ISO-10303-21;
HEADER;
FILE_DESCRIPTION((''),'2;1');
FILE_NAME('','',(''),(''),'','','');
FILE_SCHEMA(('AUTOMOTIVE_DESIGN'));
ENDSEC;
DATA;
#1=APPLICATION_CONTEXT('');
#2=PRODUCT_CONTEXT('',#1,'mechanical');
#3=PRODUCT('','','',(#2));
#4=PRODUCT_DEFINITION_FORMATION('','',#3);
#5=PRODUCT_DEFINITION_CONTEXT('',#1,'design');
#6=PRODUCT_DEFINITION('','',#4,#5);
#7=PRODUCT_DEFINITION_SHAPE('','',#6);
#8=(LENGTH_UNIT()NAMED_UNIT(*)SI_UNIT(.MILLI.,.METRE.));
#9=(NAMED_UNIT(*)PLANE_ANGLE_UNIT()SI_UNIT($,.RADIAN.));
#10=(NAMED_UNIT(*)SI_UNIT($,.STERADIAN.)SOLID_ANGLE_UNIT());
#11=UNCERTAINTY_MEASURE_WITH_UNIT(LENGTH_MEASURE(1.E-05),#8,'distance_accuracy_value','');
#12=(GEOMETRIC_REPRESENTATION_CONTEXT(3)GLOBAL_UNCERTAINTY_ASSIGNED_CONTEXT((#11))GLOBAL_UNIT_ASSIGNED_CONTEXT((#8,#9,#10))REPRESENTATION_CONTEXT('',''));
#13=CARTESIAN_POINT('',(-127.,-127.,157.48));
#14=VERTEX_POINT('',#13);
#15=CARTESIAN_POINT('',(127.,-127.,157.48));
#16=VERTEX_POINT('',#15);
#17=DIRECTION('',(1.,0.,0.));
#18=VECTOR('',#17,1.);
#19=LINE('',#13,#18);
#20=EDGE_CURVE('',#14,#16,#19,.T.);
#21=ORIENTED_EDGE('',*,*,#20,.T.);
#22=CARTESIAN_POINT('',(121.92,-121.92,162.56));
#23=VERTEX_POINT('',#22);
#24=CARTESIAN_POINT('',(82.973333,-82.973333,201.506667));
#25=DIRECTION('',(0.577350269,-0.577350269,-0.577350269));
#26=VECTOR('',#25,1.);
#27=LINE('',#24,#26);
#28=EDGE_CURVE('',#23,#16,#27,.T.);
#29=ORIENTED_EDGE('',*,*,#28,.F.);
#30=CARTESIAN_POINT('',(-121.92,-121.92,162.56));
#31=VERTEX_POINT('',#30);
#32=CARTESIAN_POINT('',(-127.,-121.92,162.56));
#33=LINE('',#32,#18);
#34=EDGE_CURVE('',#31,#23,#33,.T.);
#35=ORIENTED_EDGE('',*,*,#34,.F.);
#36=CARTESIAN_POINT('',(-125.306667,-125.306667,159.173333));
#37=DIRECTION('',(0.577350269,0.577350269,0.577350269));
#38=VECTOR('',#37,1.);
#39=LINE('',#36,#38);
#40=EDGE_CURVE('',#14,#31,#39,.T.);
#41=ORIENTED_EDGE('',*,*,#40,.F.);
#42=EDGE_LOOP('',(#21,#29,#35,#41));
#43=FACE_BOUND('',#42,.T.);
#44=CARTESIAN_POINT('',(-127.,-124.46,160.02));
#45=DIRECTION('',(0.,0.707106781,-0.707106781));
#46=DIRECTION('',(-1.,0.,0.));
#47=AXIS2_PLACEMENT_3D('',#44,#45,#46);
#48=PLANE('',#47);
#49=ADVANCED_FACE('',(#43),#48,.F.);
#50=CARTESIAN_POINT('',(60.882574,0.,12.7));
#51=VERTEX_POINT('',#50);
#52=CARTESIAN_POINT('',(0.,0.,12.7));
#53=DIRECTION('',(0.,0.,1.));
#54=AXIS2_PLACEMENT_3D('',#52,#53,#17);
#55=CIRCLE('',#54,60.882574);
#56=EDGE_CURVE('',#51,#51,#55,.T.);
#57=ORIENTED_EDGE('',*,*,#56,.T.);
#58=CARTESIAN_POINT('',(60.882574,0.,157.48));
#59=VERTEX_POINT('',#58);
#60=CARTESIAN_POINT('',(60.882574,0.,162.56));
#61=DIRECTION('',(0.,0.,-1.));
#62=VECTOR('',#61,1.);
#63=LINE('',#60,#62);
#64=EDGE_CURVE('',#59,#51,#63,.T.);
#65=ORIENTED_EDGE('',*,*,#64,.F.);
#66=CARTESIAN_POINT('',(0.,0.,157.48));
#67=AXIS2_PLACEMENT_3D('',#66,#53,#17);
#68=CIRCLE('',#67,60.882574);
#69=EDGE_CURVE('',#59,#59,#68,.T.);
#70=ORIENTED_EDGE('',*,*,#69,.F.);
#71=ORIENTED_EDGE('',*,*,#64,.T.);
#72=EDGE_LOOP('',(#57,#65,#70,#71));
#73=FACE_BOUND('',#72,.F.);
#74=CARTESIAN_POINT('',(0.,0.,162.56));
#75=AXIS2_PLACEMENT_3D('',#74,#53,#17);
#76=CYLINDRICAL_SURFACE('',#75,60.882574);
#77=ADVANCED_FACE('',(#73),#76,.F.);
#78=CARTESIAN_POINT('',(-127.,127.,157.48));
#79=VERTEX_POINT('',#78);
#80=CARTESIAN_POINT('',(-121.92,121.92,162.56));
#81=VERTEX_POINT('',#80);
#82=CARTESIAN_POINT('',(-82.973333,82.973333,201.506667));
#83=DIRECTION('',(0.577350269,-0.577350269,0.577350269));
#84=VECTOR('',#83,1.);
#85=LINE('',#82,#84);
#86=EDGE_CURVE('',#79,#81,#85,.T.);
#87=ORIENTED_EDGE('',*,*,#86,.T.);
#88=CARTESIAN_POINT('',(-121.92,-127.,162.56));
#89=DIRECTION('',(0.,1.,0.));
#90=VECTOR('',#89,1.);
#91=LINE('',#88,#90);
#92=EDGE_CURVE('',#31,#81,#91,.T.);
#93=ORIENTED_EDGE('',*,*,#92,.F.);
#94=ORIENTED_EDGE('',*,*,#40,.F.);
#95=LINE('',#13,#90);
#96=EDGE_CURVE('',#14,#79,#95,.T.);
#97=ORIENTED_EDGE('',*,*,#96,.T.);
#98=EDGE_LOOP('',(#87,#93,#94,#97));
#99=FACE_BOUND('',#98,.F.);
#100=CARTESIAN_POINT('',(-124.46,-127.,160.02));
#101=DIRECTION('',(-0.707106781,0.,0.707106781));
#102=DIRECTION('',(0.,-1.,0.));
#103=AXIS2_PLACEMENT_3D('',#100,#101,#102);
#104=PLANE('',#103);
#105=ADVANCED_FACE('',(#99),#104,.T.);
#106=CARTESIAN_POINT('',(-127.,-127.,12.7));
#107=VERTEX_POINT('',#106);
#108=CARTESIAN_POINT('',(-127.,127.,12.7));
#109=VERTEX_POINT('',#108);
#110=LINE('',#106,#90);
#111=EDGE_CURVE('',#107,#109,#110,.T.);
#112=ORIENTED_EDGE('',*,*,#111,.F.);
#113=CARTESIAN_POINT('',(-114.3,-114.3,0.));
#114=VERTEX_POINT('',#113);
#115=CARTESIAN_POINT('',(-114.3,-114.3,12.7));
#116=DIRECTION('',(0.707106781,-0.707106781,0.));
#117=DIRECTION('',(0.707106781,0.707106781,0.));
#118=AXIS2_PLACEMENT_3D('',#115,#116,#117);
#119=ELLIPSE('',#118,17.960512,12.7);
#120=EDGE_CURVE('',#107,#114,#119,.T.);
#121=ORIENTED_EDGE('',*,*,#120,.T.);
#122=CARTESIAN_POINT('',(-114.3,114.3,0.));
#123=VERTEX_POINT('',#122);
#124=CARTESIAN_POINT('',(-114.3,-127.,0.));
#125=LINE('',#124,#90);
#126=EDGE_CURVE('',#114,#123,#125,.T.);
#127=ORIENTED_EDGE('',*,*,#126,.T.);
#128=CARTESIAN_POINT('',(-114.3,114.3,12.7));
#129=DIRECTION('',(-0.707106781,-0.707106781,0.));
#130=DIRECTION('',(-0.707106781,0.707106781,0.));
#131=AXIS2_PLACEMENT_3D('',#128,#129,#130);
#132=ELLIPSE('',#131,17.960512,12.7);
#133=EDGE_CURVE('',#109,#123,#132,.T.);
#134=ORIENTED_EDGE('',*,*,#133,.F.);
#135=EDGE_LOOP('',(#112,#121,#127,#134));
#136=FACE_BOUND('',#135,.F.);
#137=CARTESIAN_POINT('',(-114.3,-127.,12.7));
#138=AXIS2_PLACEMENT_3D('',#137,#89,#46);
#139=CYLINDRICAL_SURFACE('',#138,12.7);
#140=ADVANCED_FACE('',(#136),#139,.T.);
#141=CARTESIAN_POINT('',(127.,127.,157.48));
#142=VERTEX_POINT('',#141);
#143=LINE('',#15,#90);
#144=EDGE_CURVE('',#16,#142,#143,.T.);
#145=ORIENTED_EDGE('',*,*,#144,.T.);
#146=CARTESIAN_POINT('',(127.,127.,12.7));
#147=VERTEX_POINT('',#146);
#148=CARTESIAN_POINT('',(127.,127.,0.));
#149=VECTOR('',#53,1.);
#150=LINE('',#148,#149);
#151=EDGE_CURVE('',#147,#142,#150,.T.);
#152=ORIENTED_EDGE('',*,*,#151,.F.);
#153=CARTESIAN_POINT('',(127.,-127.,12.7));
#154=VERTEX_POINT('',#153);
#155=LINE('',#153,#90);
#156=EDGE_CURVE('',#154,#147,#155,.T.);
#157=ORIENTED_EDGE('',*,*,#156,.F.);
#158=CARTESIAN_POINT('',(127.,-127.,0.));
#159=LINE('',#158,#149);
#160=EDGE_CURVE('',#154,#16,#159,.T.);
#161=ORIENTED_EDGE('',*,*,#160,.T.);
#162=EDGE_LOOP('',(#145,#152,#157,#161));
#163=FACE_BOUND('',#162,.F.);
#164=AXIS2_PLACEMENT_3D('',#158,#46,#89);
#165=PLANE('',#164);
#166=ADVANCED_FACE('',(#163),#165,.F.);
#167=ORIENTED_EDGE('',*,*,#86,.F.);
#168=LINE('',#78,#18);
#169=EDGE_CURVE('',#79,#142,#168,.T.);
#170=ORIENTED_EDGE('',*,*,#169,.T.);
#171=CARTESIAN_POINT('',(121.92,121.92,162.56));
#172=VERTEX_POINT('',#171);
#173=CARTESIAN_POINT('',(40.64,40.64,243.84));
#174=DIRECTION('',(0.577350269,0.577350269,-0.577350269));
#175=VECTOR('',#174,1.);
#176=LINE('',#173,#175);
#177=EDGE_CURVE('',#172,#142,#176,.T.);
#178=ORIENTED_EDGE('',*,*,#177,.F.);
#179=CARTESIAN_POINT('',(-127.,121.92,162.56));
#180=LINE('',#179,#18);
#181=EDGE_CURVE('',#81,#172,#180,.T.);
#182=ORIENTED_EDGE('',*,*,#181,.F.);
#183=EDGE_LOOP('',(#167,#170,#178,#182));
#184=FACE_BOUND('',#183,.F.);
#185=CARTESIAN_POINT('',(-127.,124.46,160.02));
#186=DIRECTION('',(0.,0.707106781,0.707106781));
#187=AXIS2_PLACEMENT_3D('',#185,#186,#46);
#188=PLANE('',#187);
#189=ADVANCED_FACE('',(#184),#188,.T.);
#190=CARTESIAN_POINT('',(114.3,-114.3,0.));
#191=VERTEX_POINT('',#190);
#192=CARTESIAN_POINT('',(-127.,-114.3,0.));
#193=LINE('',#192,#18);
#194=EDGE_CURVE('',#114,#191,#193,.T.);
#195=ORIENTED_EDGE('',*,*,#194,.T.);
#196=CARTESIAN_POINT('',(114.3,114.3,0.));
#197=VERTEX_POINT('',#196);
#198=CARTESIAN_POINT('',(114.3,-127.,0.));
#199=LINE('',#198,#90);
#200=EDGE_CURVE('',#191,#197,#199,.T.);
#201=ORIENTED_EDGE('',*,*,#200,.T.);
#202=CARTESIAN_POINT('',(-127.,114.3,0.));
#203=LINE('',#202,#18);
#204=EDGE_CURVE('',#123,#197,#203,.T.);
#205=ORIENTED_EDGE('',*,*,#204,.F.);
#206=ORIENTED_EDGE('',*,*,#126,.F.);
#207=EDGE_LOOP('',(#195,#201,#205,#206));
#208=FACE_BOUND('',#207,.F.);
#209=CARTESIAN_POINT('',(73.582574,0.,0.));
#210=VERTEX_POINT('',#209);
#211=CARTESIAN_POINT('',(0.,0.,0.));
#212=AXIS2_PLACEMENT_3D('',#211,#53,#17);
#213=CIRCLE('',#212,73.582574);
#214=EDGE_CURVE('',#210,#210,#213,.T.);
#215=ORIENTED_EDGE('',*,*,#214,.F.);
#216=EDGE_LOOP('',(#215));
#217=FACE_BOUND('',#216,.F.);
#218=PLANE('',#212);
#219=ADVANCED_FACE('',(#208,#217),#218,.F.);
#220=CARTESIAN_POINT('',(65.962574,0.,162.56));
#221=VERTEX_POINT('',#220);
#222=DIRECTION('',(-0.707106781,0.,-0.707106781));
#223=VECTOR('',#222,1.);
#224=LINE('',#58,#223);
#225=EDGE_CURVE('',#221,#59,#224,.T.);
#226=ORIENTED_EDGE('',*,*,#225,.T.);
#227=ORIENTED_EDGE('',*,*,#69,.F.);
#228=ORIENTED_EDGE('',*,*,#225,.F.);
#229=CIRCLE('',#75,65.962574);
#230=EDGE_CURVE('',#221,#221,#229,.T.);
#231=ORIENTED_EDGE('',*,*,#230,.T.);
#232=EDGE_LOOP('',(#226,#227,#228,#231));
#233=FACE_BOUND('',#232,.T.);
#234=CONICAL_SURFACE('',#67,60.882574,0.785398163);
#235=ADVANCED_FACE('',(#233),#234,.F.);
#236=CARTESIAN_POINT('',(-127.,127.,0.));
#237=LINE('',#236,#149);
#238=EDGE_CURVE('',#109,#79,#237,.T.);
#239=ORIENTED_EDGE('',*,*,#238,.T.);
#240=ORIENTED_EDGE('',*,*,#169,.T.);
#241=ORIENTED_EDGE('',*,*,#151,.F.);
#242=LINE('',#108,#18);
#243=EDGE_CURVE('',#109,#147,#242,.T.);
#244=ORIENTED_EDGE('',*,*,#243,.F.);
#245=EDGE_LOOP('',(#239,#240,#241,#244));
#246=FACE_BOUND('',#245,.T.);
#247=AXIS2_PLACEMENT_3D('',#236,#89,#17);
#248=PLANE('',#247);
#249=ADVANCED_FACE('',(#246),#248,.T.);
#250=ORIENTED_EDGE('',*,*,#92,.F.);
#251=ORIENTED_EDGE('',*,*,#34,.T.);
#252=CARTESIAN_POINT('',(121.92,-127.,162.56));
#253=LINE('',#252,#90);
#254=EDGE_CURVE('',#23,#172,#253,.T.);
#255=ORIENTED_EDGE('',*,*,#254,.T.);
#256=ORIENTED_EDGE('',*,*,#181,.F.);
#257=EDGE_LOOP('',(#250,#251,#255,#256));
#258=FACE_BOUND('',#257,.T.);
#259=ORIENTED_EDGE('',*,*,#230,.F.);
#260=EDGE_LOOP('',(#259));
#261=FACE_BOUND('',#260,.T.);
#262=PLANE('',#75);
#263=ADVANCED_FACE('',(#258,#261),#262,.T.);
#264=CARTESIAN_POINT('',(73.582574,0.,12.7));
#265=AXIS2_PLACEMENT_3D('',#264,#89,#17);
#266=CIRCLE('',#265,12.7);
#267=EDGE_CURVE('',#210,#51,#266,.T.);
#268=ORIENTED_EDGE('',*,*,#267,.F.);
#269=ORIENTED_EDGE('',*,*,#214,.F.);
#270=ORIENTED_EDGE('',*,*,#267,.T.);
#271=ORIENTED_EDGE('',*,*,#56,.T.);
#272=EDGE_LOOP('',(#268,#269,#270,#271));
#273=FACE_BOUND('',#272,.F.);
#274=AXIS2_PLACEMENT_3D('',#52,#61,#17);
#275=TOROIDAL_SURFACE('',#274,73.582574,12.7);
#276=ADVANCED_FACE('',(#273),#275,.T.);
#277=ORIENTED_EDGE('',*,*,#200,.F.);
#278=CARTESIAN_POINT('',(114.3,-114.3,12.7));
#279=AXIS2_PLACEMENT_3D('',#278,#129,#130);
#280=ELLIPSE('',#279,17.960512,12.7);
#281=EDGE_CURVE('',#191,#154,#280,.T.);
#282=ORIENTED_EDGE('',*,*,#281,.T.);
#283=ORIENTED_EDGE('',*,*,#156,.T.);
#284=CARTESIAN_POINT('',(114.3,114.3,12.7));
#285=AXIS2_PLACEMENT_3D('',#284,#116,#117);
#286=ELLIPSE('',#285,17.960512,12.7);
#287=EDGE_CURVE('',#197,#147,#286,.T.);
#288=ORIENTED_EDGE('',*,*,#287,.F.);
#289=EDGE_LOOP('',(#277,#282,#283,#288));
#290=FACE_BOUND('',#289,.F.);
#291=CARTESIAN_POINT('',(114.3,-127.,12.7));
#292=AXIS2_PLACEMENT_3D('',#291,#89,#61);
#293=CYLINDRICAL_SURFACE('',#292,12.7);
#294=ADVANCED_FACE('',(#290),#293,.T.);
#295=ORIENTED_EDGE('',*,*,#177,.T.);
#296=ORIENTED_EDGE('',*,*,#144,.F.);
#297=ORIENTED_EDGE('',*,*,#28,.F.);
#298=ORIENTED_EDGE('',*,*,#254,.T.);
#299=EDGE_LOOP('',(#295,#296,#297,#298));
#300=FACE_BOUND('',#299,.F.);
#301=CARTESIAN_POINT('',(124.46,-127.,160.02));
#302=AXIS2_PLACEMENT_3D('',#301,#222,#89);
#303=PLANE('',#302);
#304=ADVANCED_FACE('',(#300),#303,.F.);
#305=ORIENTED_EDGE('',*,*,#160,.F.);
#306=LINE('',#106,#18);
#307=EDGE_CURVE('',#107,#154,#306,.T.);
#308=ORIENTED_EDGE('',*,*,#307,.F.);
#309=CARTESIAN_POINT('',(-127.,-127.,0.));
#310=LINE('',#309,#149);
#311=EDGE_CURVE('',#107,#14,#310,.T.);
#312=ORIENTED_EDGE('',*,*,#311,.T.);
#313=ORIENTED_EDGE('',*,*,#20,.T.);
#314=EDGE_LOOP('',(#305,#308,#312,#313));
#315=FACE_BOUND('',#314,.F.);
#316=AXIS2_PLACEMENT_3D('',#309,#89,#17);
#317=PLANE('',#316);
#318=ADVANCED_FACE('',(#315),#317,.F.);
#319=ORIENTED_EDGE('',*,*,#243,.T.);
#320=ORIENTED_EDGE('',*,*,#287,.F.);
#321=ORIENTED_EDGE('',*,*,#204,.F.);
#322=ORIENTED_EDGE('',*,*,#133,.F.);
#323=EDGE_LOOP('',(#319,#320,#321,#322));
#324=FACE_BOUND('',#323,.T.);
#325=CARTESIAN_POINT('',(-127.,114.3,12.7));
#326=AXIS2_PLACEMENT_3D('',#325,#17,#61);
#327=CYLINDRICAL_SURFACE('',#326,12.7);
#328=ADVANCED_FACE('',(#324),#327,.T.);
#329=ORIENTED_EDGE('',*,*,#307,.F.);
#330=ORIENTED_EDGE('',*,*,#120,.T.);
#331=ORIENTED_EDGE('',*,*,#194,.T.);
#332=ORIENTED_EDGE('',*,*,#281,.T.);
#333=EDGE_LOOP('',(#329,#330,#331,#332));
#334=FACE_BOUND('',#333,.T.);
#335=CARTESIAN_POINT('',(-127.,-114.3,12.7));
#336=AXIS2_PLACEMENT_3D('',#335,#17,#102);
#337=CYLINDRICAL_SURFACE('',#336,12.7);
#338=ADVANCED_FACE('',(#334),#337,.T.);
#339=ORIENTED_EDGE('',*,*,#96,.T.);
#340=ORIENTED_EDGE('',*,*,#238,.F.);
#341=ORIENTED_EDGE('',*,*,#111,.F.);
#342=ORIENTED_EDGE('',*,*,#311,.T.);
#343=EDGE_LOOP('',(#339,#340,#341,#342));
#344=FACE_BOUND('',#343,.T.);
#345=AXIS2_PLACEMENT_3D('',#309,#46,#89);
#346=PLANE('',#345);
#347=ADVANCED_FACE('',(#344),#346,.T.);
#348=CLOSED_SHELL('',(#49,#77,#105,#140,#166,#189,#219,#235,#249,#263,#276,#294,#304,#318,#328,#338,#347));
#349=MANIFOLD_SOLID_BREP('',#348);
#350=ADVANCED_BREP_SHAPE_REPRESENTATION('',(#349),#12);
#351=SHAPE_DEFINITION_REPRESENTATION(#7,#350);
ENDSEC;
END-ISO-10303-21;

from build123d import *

# Parameters (mm, degrees)
F0_W     = 254
F0_H     = 254
F1_DEPTH = 162.56
F2_R     = 60.882574
F3_DEPTH = 289.56
F4_SIZE  = 5.08
F5_R     = 12.7
F6_R     = 12.7


with BuildPart() as f1:
    # F0 (on Top) → F1 (new body)
    with BuildSketch(Plane.XY):
        Rectangle(F0_W, F0_H)
    extrude(amount=F1_DEPTH)

    # F2 (on face) → F3 (cut)
    with BuildSketch(Plane.XY.offset(162.56)):
        Circle(F2_R)
    extrude(amount=-F3_DEPTH, mode=Mode.SUBTRACT)

    # F4
    f4_edges = [f1.edges().sort_by_distance(p)[0] for p in [
        (127, 0, 162.56),
        (0, -127, 162.56),
        (-127, 0, 162.56),
        (0, 127, 162.56),
        (-60.882574, 0, 162.56),
    ]]
    chamfer(f4_edges, length=F4_SIZE)

    # F5
    f5_edges = [f1.edges().sort_by_distance(p)[0] for p in [
        (-127, 0, 0),
        (0, 127, 0),
        (127, 0, 0),
        (0, -127, 0),
    ]]
    fillet(f5_edges, radius=F5_R)

    # F6
    f6_edges = [f1.edges().sort_by_distance(p)[0] for p in [
        (-60.882574, 0, 0),
    ]]
    fillet(f6_edges, radius=F6_R)


solid = f1.part
